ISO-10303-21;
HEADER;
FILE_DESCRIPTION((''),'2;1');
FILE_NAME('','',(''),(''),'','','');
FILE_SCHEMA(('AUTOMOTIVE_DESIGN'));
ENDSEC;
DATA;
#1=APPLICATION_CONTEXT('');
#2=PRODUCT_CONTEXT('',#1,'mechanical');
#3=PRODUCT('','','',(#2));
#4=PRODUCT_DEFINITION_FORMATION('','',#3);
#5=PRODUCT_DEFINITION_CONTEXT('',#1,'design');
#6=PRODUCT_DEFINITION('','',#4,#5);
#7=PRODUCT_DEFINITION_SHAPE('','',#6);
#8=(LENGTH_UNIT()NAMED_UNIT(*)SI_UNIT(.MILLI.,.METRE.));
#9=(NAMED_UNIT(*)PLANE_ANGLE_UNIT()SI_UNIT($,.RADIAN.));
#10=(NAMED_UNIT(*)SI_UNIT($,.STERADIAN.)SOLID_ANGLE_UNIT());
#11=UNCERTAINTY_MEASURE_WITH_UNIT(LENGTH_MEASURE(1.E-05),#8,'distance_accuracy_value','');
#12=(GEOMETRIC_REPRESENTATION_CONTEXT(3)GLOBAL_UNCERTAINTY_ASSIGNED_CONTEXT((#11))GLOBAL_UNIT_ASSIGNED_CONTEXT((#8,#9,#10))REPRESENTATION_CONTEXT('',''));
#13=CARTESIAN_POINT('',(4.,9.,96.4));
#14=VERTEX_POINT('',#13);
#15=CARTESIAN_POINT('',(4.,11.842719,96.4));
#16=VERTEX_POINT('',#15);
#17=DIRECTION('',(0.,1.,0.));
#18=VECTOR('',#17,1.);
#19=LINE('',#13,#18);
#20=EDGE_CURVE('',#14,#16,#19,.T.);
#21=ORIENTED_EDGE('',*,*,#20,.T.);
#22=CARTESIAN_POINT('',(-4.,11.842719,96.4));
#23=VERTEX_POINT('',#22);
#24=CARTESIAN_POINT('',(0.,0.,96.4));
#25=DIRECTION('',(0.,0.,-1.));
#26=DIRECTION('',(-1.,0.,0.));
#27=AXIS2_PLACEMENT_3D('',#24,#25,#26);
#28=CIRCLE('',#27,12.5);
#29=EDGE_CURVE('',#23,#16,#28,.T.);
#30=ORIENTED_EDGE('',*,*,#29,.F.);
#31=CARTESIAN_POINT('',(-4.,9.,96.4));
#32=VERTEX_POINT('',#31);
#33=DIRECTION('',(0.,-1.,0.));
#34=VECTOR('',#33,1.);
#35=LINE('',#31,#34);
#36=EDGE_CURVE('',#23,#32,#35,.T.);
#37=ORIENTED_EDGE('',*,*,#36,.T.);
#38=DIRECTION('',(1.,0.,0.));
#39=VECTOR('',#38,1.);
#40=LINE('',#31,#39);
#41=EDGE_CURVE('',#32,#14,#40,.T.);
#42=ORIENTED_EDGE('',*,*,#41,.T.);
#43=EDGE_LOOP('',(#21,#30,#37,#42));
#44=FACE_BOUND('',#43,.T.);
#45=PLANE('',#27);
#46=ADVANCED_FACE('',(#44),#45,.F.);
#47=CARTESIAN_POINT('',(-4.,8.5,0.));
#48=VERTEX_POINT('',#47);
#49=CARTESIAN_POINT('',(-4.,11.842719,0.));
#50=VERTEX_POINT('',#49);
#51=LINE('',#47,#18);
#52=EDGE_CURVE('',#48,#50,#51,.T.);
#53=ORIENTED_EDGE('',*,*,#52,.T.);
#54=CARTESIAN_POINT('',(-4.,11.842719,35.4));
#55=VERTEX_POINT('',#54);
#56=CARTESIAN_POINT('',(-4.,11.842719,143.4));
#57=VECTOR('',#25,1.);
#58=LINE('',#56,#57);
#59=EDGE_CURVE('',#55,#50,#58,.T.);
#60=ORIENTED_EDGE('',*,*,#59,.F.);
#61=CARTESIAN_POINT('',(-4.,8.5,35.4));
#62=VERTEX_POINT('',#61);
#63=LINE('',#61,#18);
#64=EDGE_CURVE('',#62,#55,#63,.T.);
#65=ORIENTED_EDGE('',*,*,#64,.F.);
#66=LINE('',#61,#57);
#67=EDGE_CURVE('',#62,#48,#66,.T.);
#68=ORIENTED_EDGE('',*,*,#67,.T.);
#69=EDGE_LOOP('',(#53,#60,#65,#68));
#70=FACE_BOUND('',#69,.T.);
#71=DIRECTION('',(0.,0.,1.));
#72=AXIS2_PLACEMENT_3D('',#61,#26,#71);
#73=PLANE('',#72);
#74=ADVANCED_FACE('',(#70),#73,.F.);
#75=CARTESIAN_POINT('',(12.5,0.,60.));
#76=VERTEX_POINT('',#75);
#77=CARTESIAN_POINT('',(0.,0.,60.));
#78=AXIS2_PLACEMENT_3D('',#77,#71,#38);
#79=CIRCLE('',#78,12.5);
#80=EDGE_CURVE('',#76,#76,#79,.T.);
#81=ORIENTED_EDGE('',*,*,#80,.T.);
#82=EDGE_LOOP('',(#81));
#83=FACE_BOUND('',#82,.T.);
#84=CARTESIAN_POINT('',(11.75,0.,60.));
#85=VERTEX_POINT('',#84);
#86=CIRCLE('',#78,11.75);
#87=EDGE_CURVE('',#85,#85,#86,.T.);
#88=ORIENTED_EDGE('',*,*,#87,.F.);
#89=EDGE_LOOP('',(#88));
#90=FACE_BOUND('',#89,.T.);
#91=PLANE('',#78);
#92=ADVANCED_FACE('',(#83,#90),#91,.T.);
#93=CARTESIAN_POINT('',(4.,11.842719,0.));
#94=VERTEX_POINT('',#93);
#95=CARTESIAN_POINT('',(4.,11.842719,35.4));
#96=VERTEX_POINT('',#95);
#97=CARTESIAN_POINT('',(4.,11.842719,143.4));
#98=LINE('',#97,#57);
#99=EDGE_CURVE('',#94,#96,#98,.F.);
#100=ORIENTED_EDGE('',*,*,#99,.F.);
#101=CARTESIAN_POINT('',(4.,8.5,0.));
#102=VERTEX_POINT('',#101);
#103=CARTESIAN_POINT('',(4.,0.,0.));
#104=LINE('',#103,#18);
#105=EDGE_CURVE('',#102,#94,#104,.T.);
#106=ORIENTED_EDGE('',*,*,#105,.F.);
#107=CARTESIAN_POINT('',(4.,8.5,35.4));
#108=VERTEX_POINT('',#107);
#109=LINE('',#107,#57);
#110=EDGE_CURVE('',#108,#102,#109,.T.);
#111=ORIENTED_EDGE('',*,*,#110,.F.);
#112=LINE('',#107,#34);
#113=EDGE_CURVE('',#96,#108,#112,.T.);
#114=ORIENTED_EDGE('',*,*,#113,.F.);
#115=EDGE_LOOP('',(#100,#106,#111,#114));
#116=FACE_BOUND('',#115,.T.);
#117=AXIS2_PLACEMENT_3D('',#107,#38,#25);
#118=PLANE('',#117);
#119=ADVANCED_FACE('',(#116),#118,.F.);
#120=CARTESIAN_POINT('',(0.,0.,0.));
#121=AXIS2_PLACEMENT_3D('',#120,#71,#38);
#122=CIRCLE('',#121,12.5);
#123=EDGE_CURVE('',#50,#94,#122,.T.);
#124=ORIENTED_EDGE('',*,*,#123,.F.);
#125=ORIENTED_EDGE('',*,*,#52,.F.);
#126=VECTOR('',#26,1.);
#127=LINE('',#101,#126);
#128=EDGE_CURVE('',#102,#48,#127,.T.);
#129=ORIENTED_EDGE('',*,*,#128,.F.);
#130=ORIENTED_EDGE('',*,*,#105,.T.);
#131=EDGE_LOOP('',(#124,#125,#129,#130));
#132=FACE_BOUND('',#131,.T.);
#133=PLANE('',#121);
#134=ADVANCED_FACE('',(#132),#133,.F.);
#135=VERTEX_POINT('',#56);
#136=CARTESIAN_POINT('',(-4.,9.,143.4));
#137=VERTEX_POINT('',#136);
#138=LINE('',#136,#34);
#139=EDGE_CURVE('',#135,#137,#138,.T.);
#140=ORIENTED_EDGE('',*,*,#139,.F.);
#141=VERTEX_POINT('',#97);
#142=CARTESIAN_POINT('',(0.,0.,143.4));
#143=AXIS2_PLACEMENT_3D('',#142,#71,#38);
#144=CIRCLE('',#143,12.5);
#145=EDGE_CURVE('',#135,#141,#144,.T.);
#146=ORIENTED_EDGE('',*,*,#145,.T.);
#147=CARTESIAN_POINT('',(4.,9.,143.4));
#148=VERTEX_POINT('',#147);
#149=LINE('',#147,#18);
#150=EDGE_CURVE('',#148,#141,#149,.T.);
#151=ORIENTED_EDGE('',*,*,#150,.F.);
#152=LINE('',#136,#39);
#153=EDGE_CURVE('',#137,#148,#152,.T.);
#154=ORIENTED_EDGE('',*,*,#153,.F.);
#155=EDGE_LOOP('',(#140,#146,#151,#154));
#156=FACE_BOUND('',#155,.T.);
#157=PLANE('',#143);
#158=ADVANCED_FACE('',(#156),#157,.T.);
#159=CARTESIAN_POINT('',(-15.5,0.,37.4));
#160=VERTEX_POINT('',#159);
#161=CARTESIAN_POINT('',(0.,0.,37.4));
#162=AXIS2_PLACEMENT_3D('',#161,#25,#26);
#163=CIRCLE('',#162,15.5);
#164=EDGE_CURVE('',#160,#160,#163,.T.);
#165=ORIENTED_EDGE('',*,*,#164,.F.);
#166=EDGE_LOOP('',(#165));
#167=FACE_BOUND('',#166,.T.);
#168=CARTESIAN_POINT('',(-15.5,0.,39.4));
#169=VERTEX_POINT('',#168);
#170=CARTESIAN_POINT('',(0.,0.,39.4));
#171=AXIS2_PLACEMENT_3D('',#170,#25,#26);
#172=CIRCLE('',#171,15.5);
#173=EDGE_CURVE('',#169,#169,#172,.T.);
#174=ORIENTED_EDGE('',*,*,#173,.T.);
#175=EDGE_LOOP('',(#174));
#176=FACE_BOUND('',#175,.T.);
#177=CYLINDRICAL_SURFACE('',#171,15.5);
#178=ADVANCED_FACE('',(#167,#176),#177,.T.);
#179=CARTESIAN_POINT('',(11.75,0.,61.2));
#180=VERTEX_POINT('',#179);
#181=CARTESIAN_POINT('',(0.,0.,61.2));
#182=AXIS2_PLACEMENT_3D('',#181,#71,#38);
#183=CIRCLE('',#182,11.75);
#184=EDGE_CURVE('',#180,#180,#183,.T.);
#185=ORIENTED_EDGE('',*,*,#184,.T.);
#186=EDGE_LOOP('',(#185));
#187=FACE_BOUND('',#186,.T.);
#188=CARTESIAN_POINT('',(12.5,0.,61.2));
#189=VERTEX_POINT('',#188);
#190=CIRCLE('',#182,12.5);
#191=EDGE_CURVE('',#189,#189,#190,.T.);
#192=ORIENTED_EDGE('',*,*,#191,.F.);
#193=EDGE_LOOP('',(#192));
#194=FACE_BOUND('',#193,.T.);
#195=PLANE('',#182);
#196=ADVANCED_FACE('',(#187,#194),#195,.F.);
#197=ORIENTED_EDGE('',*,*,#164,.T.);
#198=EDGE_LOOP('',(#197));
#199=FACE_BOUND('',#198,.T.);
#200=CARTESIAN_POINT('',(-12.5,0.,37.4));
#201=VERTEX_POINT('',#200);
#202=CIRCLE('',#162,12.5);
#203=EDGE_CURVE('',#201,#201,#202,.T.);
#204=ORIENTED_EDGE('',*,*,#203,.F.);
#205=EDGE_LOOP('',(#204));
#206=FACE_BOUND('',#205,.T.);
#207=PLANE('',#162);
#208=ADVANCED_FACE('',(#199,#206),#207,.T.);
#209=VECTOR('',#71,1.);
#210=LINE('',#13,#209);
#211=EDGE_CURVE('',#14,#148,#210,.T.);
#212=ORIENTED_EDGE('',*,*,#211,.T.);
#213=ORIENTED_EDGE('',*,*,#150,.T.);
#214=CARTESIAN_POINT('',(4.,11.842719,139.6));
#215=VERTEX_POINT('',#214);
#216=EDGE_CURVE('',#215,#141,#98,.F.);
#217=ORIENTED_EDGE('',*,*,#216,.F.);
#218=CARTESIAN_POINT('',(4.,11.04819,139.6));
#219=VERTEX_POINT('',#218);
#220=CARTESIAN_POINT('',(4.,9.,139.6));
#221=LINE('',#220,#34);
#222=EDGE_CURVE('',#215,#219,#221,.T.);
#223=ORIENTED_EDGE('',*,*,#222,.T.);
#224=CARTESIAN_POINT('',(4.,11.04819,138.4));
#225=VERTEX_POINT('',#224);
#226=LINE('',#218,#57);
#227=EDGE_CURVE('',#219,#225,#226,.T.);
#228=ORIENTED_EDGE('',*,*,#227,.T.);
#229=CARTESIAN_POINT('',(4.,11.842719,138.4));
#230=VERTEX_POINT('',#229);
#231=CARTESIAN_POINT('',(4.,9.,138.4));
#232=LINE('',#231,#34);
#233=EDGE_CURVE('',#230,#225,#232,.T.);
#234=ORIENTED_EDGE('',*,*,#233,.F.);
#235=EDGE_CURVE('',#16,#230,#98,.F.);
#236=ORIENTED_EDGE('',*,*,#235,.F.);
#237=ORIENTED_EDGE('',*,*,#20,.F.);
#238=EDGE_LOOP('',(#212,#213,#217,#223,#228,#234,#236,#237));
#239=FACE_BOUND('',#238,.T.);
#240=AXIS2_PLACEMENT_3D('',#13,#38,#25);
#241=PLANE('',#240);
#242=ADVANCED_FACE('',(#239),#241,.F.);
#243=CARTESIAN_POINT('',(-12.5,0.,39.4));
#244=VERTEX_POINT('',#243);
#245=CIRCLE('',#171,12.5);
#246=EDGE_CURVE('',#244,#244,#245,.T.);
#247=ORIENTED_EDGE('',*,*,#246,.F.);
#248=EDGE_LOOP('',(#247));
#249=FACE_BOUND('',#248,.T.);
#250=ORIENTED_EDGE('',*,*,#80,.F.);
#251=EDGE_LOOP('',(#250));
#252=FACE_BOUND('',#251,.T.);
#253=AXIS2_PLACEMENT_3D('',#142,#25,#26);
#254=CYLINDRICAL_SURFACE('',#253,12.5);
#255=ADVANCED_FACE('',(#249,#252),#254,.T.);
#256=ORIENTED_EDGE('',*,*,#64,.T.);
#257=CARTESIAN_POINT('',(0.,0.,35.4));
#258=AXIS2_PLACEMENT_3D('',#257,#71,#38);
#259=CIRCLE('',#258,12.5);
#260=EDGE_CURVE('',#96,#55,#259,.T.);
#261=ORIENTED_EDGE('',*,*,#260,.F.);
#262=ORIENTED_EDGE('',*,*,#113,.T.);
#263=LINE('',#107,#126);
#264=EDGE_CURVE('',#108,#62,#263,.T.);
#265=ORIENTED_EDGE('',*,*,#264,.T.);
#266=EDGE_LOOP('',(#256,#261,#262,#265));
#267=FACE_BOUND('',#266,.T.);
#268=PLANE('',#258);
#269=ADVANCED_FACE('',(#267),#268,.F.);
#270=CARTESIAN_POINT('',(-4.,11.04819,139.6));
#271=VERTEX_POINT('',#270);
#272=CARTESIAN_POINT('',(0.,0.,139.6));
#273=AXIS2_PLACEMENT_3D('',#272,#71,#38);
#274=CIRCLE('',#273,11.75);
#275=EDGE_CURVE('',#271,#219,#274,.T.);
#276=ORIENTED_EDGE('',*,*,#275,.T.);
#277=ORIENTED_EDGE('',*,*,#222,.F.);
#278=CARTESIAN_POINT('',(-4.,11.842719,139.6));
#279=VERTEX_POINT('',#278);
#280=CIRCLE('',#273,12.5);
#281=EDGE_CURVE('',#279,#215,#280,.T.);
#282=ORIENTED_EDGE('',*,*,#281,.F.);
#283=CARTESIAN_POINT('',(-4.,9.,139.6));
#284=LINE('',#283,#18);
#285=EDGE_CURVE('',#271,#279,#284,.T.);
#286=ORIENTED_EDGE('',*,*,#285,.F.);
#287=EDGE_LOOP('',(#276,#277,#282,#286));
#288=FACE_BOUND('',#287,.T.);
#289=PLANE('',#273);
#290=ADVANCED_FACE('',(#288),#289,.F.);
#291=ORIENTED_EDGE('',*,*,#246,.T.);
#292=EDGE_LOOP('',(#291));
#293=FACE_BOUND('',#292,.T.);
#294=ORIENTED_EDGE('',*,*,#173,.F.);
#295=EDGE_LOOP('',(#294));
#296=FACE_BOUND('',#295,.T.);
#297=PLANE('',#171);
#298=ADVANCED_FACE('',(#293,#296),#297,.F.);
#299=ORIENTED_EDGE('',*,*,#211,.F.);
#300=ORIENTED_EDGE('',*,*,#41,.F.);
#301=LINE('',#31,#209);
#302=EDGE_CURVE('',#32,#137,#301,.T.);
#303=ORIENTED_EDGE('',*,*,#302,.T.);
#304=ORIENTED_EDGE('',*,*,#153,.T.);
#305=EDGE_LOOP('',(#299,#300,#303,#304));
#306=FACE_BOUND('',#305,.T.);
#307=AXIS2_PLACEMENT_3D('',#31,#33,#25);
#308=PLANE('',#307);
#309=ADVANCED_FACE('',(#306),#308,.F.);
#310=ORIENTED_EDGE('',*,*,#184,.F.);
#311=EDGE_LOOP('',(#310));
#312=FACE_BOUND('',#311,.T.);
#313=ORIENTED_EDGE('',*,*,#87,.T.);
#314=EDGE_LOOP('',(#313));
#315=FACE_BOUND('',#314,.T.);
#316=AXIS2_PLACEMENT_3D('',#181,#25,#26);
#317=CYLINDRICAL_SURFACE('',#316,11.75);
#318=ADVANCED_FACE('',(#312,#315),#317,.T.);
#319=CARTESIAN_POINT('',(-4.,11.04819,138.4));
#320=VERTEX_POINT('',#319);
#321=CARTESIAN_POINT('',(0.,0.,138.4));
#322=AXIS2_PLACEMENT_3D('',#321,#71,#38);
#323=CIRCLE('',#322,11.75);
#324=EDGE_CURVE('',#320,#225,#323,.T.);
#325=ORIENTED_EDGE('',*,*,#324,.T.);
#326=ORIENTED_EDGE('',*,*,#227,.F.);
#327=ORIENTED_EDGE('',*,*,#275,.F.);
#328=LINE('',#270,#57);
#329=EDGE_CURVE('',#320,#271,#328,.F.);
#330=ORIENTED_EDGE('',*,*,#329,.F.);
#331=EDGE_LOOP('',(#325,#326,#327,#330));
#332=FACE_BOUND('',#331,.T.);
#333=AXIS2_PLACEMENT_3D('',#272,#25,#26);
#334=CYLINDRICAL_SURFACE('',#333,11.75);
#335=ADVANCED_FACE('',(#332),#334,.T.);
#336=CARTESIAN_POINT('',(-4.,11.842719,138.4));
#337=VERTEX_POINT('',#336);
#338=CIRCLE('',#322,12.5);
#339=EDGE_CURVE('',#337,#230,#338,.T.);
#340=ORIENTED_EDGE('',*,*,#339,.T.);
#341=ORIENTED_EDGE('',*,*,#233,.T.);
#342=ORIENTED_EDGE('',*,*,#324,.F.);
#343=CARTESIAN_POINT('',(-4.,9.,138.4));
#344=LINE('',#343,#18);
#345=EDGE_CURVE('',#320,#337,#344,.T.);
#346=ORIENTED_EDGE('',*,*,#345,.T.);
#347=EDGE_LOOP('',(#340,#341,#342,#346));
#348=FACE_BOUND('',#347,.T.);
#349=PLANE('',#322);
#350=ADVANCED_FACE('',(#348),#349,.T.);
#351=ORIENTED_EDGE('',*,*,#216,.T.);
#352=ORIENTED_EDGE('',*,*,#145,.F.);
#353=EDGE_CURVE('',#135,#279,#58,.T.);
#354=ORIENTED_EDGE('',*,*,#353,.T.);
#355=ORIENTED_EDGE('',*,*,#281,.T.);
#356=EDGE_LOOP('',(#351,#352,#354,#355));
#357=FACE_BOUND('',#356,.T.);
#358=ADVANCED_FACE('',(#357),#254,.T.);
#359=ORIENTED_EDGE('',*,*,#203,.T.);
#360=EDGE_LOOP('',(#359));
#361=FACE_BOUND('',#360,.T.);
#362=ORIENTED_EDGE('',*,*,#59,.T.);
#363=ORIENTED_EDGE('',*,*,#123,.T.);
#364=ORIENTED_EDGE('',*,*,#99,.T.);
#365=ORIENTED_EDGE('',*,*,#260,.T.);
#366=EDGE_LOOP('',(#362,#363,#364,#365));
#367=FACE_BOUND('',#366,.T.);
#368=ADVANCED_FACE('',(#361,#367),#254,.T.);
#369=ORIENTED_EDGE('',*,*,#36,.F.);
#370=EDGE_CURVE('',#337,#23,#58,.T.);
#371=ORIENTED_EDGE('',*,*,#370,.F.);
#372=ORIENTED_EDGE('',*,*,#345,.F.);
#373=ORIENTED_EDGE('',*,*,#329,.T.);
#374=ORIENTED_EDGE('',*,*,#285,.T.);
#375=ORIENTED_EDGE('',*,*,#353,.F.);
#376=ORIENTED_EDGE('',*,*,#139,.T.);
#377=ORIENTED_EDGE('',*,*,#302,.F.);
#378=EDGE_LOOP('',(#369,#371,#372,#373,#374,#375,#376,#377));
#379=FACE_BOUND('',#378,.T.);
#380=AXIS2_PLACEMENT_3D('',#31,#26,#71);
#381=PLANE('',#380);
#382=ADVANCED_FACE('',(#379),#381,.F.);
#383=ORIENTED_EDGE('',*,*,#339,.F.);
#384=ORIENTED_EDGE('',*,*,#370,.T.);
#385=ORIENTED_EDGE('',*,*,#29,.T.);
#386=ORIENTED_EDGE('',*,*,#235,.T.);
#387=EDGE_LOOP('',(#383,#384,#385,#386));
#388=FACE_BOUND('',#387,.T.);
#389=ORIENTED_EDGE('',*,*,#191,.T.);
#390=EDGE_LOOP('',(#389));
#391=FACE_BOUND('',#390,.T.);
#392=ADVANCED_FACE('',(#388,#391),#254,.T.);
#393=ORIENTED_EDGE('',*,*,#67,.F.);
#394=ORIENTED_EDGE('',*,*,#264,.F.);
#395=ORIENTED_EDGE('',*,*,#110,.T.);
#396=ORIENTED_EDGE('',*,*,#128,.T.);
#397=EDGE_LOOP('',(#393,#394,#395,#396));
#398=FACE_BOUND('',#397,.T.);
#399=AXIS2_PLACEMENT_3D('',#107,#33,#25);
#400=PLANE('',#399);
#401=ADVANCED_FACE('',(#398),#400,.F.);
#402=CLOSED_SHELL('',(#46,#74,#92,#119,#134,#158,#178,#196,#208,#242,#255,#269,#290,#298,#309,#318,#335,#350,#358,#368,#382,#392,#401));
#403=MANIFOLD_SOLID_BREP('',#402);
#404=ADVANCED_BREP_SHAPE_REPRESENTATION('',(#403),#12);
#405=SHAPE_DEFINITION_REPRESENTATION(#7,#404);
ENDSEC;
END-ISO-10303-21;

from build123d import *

# Parameters (mm, degrees)
SKETCH1_R           = 12.5
BOSS_EXTRUDE1_DEPTH = 143.4
SKETCH4_W           = 8
SKETCH4_H           = 8
CUT_EXTRUDE1_DEPTH  = 35.4
SKETCH11_R          = 15.5
BOSS_EXTRUDE4_DEPTH = 2
SKETCH12_R          = 12.5
SKETCH12_R_2        = 11.75
CUT_EXTRUDE2_DEPTH  = 1.2
SKETCH13_W          = 8
SKETCH13_H          = 7
CUT_EXTRUDE3_DEPTH  = 47
SKETCH16_R          = 12.5
SKETCH16_R_2        = 11.75
CUT_EXTRUDE5_DEPTH  = 1.2


with BuildPart() as part:
    # Sketch1 → Boss-Extrude1 (new body)
    with BuildSketch(Plane.XY):
        Circle(SKETCH1_R)
    extrude(amount=BOSS_EXTRUDE1_DEPTH)

    # Sketch4 → Cut-Extrude1 (cut)
    with BuildSketch(Plane(origin=(0, 0, 0), x_dir=(-1, 0, 0), z_dir=(0, 0, -1))):
        with Locations((0, 12.5)):
            Rectangle(SKETCH4_W, SKETCH4_H)
    extrude(amount=-CUT_EXTRUDE1_DEPTH, mode=Mode.SUBTRACT)

    # Sketch11 → Boss-Extrude4 (add)
    with BuildSketch(Plane(origin=(0, 0, 37.4), x_dir=(-1, 0, 0), z_dir=(0, 0, -1))):
        Circle(SKETCH11_R)
    extrude(amount=-BOSS_EXTRUDE4_DEPTH)

    # Sketch12 → Cut-Extrude2 (cut)
    with BuildSketch(Plane.XY.offset(60)):
        Circle(SKETCH12_R)
        Circle(SKETCH12_R_2, mode=Mode.SUBTRACT)
    extrude(amount=CUT_EXTRUDE2_DEPTH, mode=Mode.SUBTRACT)

    # Sketch13 → Cut-Extrude3 (cut)
    with BuildSketch(Plane.XY.offset(143.4)):
        with Locations((0, 12.5)):
            Rectangle(SKETCH13_W, SKETCH13_H)
    extrude(amount=-CUT_EXTRUDE3_DEPTH, mode=Mode.SUBTRACT)

    # Sketch16 → Cut-Extrude5 (cut)
    with BuildSketch(Plane.XY.offset(138.4)):
        Circle(SKETCH16_R)
        Circle(SKETCH16_R_2, mode=Mode.SUBTRACT)
    extrude(amount=CUT_EXTRUDE5_DEPTH, mode=Mode.SUBTRACT)


solid = part.part
